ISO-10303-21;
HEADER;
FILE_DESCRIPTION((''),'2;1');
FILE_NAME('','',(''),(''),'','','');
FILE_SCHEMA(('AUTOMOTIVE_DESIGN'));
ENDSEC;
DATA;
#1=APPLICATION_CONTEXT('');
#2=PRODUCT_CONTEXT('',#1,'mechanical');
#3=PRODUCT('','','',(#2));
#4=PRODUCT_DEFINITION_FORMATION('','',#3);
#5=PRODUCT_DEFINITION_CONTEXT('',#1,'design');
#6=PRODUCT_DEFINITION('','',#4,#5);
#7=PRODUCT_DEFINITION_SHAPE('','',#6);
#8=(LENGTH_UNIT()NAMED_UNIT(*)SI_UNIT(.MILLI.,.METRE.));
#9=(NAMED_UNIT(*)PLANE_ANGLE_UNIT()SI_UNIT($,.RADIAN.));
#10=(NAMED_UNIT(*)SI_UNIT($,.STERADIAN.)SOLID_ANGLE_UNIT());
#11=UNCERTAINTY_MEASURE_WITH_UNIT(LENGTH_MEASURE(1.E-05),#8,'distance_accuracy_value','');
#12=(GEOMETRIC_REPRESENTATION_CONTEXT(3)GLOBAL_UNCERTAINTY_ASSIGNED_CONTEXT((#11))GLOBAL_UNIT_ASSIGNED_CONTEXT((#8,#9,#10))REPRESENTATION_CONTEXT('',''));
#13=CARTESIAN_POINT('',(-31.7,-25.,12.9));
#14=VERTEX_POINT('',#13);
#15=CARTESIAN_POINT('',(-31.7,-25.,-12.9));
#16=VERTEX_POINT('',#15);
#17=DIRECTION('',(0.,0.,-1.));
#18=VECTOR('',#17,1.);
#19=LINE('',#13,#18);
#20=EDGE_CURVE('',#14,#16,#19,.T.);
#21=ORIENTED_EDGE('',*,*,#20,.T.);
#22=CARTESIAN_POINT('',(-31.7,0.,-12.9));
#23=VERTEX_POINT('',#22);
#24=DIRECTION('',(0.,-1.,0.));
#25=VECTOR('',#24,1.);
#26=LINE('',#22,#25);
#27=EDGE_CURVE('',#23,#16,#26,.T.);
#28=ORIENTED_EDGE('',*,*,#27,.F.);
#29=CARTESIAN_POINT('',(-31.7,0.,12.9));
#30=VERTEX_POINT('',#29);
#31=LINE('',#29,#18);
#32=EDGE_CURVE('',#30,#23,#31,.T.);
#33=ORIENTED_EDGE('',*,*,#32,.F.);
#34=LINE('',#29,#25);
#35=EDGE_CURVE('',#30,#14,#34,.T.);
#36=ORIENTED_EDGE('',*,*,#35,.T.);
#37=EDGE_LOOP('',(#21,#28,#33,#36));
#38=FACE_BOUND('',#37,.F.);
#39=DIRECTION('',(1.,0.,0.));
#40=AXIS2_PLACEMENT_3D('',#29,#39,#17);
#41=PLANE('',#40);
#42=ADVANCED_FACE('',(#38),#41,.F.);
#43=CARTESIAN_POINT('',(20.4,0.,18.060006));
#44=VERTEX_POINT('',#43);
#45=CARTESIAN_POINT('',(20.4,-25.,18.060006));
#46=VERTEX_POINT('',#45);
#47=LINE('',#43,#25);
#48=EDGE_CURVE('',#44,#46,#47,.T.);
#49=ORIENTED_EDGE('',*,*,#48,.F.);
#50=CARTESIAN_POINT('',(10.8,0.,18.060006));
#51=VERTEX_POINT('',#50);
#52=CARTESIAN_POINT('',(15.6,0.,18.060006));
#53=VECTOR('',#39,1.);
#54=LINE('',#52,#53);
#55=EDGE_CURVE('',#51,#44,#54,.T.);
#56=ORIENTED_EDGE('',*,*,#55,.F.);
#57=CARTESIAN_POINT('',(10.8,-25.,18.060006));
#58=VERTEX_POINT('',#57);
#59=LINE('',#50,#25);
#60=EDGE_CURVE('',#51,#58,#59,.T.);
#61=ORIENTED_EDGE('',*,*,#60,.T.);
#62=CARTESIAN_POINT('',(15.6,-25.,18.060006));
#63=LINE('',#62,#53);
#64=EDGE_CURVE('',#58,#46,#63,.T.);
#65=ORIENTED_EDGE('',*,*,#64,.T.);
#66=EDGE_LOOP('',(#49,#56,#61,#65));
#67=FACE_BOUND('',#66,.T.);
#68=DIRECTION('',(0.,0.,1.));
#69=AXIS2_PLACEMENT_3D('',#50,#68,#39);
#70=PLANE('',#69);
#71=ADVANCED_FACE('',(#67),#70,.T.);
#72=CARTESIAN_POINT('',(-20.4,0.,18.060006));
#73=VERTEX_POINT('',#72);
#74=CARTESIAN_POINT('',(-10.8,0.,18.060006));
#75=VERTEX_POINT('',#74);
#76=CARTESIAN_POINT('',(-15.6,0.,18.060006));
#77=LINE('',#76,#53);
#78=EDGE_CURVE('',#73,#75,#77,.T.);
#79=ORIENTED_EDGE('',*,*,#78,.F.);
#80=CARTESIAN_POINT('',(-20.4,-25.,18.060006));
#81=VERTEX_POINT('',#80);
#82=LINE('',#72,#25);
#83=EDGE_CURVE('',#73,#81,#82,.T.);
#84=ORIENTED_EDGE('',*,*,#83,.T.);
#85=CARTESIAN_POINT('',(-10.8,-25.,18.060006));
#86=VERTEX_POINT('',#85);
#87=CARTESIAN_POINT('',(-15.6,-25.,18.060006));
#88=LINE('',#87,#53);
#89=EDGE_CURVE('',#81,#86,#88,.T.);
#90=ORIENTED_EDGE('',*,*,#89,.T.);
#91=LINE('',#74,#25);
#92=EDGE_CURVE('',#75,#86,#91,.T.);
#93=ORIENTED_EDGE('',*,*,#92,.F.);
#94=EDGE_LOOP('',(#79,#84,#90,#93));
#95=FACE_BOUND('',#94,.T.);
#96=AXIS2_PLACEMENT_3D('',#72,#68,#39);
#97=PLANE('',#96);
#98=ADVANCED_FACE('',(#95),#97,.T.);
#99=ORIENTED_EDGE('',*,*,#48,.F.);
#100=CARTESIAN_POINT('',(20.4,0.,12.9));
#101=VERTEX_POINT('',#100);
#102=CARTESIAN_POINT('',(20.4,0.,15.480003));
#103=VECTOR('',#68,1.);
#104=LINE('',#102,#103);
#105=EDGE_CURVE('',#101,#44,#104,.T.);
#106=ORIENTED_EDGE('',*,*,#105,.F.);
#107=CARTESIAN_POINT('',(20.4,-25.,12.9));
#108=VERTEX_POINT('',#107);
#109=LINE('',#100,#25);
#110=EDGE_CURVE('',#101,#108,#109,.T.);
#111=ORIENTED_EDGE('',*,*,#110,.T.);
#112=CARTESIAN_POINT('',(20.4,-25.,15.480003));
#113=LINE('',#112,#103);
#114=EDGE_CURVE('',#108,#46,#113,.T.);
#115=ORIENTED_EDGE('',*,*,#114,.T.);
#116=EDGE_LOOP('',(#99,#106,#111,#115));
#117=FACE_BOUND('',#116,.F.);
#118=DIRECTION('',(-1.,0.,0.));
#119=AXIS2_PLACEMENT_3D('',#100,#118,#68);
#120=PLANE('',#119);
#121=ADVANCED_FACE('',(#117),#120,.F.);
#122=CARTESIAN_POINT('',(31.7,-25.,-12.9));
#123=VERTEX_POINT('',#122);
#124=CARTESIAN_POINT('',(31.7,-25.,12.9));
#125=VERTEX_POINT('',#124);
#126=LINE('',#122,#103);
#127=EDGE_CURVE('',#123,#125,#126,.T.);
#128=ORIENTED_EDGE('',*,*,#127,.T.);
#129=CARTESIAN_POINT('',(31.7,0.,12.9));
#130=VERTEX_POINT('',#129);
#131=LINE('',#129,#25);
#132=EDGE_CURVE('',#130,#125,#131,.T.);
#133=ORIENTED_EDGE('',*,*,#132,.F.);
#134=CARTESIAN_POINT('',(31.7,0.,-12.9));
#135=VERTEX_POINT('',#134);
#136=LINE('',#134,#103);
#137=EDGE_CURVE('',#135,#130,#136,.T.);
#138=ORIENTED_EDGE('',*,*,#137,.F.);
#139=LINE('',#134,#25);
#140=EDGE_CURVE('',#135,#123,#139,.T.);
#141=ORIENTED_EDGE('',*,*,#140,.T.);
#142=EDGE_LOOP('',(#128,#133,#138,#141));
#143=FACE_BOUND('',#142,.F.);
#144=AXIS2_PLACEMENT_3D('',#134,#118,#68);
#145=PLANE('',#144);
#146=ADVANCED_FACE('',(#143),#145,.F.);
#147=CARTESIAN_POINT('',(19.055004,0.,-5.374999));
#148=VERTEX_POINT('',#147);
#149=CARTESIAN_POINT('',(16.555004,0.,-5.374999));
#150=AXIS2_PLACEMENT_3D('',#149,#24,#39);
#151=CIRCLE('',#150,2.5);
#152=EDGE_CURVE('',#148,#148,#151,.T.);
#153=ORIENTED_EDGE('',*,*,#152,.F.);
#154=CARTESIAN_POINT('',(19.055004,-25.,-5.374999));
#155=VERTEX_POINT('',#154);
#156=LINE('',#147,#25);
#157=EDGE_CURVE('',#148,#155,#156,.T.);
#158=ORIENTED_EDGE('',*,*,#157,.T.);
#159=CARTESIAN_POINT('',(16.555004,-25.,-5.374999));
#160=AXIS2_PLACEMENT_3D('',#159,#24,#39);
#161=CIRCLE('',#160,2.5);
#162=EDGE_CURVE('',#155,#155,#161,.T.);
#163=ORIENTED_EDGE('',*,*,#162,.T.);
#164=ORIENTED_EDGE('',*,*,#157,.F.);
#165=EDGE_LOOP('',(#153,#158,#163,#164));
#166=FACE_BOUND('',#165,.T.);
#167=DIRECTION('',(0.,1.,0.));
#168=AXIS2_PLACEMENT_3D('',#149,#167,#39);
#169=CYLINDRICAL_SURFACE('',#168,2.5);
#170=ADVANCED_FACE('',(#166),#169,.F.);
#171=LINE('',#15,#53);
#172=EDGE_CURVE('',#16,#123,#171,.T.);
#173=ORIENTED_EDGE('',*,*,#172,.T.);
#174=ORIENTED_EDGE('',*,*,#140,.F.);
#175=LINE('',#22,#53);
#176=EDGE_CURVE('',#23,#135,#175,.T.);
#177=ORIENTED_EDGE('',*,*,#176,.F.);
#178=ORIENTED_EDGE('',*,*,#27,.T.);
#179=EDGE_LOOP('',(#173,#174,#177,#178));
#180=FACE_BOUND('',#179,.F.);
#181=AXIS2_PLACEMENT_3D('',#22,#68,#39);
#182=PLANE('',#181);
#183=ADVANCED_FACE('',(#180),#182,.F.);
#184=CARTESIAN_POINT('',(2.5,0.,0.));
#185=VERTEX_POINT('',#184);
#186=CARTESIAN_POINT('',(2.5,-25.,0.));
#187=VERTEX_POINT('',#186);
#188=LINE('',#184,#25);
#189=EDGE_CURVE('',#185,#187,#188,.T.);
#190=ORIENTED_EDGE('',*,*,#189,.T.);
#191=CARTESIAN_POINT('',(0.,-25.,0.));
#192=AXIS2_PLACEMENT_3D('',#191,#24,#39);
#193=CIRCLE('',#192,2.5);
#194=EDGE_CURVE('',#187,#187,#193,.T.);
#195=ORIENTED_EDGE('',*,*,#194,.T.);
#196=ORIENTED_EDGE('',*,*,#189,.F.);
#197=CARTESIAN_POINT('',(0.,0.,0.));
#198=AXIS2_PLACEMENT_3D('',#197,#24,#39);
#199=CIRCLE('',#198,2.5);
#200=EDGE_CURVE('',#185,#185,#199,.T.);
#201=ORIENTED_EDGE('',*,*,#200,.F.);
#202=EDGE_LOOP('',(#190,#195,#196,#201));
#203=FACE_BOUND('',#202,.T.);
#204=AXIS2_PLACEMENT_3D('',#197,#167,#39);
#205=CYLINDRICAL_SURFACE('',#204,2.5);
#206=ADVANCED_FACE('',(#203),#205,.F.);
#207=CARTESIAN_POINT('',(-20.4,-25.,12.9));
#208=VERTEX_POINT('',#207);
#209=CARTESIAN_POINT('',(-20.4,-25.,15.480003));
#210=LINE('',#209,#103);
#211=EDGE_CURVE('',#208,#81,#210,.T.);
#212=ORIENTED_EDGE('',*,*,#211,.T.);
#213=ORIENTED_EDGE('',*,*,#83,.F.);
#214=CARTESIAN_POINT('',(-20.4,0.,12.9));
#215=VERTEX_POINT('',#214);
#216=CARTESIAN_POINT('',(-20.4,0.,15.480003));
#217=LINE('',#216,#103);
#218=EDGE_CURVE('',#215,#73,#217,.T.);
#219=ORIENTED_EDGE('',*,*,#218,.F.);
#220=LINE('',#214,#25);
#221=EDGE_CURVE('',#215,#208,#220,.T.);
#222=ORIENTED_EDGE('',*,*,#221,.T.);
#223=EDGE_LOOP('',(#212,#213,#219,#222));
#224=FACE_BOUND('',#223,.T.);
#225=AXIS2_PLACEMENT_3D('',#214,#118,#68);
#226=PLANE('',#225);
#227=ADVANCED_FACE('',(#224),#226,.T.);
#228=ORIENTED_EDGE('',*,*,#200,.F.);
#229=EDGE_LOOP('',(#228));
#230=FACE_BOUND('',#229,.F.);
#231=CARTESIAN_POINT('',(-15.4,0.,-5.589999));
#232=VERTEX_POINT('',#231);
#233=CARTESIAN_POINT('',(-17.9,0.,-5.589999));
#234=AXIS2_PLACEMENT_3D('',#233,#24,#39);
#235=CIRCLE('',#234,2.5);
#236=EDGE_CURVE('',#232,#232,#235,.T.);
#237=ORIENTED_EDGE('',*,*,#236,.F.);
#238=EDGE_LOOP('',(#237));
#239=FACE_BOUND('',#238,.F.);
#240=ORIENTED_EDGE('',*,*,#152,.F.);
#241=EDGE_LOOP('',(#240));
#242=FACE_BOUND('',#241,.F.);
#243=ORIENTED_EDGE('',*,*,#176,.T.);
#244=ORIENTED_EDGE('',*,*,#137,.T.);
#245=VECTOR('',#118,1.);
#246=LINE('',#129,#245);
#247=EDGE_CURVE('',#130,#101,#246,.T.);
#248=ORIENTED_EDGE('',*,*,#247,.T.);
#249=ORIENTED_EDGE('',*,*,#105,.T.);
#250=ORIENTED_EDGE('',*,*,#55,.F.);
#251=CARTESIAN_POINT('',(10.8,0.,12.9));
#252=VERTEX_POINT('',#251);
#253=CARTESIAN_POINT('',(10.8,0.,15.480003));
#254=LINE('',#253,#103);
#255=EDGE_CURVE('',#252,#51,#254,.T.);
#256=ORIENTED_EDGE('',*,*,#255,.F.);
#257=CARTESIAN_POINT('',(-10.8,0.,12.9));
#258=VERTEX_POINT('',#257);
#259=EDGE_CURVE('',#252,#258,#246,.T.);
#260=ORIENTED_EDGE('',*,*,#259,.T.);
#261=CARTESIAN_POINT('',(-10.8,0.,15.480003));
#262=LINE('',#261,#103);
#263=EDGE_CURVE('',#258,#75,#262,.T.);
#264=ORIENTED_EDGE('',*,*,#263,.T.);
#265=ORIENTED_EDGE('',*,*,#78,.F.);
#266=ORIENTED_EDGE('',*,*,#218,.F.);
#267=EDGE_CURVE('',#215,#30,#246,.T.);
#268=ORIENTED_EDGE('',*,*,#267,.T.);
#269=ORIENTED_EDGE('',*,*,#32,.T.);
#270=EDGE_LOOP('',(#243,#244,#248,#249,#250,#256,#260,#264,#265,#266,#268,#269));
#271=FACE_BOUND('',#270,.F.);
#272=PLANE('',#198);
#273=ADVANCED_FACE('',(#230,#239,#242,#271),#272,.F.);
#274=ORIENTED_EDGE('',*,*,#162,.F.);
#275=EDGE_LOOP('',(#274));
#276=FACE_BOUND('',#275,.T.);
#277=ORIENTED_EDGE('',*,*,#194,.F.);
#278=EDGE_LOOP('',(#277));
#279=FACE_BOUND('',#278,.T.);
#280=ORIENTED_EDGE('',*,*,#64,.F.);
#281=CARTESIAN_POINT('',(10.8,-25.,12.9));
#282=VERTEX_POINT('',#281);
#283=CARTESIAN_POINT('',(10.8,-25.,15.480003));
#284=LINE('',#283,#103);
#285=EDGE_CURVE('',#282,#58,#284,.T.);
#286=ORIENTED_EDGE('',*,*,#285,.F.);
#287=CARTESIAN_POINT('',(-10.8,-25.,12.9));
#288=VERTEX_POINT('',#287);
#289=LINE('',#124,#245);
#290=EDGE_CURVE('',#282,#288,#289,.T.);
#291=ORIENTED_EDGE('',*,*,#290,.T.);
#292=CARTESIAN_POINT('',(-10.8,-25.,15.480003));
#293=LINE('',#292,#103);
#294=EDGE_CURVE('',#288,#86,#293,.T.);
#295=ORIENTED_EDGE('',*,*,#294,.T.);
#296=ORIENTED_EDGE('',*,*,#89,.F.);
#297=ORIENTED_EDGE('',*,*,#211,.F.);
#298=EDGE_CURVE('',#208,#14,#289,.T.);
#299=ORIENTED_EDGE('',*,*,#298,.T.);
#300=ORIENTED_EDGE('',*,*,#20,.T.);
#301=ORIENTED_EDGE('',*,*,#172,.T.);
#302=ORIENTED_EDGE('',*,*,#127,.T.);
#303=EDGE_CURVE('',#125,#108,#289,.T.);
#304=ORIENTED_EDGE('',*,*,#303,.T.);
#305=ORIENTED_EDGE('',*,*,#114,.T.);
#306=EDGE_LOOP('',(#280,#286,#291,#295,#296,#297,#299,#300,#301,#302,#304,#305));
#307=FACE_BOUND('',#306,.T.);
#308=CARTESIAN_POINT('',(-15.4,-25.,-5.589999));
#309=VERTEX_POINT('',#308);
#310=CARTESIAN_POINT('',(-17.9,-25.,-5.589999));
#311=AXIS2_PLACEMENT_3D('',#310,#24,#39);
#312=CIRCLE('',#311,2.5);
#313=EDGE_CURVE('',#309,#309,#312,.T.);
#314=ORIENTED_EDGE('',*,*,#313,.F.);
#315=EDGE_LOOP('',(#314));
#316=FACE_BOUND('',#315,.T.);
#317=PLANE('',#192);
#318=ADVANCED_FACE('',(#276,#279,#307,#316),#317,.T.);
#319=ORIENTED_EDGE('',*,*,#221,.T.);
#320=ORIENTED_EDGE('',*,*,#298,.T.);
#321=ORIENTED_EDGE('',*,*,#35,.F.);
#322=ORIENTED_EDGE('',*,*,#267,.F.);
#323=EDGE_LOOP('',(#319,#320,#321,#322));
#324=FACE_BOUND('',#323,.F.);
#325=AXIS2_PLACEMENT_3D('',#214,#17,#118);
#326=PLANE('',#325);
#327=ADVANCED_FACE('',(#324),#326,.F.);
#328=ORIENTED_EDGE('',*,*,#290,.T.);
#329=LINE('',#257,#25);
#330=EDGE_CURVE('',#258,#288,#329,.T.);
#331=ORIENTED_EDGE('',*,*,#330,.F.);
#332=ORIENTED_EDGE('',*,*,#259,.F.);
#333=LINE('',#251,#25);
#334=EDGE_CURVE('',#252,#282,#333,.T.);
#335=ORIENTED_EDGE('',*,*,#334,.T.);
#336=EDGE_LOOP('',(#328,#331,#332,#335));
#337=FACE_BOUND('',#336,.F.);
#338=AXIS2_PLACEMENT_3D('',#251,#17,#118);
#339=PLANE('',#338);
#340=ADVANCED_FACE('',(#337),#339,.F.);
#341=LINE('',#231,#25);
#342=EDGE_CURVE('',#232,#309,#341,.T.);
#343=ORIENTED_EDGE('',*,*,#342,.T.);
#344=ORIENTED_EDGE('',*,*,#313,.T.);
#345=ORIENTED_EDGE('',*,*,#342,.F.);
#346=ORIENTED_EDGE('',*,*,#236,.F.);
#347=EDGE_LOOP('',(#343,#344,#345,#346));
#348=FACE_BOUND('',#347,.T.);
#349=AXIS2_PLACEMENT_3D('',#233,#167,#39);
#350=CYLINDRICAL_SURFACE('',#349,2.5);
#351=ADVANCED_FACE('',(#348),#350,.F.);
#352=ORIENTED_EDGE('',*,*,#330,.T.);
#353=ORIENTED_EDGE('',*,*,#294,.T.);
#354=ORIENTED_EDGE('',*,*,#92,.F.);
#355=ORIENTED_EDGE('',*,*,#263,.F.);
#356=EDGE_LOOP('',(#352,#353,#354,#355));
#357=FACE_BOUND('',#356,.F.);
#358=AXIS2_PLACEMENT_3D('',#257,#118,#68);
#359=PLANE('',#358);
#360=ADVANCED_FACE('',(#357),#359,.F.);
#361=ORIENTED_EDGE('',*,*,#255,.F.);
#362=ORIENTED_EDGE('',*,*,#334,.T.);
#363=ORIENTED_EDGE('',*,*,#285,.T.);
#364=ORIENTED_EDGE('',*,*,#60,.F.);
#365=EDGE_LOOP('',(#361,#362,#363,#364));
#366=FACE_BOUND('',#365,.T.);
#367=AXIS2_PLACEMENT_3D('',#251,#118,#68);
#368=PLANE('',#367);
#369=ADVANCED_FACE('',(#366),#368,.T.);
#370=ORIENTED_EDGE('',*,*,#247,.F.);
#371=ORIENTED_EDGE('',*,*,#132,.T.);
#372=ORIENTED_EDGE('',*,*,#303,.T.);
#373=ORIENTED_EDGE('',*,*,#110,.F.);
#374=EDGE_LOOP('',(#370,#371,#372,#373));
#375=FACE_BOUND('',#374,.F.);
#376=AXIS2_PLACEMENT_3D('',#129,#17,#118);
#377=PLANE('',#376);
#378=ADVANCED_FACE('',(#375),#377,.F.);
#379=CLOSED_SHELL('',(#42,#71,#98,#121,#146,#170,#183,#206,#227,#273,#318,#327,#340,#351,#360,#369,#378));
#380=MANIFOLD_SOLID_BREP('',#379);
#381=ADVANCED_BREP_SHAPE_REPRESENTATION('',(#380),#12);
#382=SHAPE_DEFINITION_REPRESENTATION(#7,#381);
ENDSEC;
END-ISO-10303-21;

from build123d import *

# Parameters (mm, degrees)
F0_R     = 2.5
F0_W     = 9.6
F0_H     = 5.160006
F1_DEPTH = 25


with BuildPart() as f1:
    # F0 (on Front) → F1 (new body)
    with BuildSketch(Plane.XZ):
        Polygon((-31.7, 12.9), (-31.7, -12.9), (31.7, -12.9), (31.7, 12.9), (20.4, 12.9), (10.8, 12.9), (-10.8, 12.9), (-20.4, 12.9), align=None)
        with Locations((-17.9, -5.589999)):
            Circle(F0_R, mode=Mode.SUBTRACT)
        Circle(F0_R, mode=Mode.SUBTRACT)
        with Locations((16.555004, -5.374999)):
            Circle(F0_R, mode=Mode.SUBTRACT)
        with Locations((-15.6, 15.480003)):
            Rectangle(F0_W, F0_H)
        with Locations((15.6, 15.480003)):
            Rectangle(F0_W, F0_H)
    extrude(amount=F1_DEPTH)


solid = f1.part
